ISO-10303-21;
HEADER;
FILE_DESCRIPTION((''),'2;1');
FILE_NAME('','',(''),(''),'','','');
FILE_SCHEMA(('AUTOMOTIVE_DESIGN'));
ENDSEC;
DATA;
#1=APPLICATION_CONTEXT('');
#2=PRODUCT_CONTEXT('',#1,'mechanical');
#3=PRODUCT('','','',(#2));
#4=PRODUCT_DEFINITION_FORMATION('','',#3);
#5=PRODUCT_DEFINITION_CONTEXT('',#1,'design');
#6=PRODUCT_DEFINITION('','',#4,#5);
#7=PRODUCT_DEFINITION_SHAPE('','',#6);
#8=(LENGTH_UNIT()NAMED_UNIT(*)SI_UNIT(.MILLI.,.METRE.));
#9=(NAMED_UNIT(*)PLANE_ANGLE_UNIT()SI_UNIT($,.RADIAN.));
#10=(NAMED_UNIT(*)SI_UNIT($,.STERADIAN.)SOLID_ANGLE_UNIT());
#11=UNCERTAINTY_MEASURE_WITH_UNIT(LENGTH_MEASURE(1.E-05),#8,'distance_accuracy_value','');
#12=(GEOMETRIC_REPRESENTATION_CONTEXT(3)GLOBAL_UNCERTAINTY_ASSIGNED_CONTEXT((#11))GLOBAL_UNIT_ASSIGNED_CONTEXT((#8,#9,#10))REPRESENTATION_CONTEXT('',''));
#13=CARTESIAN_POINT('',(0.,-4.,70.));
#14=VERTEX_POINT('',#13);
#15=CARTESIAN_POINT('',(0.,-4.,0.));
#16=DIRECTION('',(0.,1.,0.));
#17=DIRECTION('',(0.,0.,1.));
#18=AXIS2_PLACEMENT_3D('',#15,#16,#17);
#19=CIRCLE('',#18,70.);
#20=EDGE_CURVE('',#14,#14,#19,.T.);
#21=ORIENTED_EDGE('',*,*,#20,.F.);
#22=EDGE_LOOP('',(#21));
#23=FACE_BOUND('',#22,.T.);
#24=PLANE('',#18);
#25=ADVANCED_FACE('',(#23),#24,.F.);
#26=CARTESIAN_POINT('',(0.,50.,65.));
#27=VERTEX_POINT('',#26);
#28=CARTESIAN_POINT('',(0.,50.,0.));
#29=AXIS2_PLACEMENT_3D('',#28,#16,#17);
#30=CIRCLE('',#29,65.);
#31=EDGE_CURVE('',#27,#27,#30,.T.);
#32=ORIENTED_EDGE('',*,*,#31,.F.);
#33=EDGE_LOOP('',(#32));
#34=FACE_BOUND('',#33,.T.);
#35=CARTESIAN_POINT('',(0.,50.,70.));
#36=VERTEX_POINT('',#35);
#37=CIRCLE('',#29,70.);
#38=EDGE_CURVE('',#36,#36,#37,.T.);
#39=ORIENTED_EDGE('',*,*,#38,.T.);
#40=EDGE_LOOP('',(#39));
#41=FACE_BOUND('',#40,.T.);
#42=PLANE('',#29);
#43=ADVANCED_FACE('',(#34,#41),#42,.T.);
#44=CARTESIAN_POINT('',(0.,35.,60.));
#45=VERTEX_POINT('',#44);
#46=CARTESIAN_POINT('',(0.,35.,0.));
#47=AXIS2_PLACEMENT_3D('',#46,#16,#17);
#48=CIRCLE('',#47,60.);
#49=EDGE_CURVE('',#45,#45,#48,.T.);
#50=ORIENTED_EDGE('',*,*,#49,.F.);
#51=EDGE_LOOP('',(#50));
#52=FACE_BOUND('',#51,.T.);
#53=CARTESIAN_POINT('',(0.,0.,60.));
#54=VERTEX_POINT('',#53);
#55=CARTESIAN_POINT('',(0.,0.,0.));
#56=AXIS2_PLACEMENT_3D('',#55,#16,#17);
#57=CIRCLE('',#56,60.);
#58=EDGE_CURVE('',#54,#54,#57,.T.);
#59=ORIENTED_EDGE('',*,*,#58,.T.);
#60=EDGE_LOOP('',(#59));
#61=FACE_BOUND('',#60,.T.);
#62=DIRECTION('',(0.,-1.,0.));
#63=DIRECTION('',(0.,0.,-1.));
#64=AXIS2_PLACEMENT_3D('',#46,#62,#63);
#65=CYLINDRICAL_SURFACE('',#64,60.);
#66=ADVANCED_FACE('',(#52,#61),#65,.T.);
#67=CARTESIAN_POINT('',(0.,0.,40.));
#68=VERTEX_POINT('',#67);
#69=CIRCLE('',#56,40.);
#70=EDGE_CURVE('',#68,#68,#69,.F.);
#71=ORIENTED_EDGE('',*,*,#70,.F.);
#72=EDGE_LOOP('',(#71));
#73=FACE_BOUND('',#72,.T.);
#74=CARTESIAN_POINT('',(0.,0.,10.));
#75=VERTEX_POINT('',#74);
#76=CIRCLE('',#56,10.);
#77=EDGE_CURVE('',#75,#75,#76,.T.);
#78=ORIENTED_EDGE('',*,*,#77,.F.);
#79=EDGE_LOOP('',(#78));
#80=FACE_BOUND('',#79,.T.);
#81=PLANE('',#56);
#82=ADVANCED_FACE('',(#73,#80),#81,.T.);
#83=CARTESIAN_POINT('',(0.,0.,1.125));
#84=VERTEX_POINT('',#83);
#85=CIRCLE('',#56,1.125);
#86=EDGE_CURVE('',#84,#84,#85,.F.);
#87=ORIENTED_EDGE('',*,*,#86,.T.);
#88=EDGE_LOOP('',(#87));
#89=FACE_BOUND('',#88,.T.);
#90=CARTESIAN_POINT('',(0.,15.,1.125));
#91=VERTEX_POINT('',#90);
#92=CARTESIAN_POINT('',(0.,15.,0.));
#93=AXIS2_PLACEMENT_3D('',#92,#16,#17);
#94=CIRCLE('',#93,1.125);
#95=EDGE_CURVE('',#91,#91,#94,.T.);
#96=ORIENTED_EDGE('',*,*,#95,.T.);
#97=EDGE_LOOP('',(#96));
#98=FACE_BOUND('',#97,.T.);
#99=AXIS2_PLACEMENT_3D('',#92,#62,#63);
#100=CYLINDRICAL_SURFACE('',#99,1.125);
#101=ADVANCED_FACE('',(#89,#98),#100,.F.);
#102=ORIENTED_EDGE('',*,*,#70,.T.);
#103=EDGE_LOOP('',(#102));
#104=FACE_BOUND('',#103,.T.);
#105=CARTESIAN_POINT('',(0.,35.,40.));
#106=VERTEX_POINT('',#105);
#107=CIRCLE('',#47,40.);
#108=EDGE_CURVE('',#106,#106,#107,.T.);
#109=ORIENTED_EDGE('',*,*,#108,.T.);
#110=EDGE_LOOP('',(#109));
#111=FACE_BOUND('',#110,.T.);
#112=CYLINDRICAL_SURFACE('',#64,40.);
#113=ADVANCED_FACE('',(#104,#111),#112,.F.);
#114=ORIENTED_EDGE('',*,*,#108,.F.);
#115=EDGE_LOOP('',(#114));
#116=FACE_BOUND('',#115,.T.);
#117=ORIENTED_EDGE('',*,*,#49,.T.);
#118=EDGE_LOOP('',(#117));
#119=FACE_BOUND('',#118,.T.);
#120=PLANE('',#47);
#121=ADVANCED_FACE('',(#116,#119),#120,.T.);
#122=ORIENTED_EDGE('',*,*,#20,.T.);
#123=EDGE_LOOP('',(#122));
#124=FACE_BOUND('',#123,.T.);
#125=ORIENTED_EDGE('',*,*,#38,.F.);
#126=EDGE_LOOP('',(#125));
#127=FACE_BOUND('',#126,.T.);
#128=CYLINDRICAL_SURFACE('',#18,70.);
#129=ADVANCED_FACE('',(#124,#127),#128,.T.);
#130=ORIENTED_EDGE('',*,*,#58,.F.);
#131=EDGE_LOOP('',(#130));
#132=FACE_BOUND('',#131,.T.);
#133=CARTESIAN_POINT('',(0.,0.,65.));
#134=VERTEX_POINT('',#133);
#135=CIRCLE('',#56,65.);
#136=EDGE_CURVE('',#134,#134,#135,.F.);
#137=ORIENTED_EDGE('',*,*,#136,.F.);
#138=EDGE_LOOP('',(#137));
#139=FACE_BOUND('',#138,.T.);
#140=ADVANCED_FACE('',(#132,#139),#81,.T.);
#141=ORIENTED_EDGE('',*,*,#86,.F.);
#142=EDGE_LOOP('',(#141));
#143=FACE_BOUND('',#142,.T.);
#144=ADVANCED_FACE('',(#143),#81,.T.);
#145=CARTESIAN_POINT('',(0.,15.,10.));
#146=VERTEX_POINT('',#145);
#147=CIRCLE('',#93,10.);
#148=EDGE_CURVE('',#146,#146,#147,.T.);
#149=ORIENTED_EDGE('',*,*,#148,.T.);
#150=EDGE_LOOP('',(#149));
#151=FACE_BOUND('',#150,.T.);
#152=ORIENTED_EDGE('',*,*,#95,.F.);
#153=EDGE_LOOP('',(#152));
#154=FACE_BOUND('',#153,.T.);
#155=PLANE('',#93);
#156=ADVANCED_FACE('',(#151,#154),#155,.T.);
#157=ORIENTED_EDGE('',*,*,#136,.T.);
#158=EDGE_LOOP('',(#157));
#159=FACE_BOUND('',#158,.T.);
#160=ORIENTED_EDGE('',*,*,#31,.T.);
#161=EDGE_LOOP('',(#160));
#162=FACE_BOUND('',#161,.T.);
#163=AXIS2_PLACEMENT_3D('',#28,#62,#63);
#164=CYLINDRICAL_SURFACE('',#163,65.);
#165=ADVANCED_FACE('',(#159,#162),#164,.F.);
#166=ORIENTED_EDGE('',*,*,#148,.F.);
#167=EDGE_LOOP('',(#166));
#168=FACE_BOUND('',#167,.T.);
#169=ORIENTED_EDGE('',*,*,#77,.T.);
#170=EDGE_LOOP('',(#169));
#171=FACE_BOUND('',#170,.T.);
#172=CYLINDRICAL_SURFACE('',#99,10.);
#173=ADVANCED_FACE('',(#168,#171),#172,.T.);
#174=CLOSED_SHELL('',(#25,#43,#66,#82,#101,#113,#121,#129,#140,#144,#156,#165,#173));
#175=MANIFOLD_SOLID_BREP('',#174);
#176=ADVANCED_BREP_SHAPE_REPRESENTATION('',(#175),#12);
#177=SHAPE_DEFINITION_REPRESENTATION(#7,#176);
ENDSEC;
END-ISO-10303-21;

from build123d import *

# Parameters (mm, degrees)
SKETCH1_R           = 70
BOSS_EXTRUDE2_DEPTH = 4
SKETCH1_6_R         = 10
SKETCH1_6_R_2       = 1.125
BOSS_EXTRUDE3_DEPTH = 15
BOSS_EXTRUDE4_START = 50
SKETCH1_7_R         = 70
SKETCH1_7_R_2       = 65
BOSS_EXTRUDE4_DEPTH = 50
SKETCH1_8_R         = 60
SKETCH1_8_R_2       = 40
BOSS_EXTRUDE5_DEPTH = 35


with BuildPart() as part:
    # Sketch1 → Boss-Extrude2 (new body)
    with BuildSketch(Plane(origin=(0, 0, 0), x_dir=(1, 0, 0), z_dir=(0, 1, 0))):
        Circle(SKETCH1_R)
    extrude(amount=-BOSS_EXTRUDE2_DEPTH)

    # Sketch1<6> → Boss-Extrude3 (add)
    with BuildSketch(Plane(origin=(0, 0, 0), x_dir=(1, 0, 0), z_dir=(0, 1, 0))):
        Circle(SKETCH1_6_R)
        Circle(SKETCH1_6_R_2, mode=Mode.SUBTRACT)
    extrude(amount=BOSS_EXTRUDE3_DEPTH)

    # Sketch1<7> → Boss-Extrude4 (add)
    with BuildSketch(Plane(origin=(0, 0, 0), x_dir=(1, 0, 0), z_dir=(0, 1, 0)).offset(BOSS_EXTRUDE4_START)):
        Circle(SKETCH1_7_R)
        Circle(SKETCH1_7_R_2, mode=Mode.SUBTRACT)
    extrude(amount=-BOSS_EXTRUDE4_DEPTH)

    # Sketch1<8> → Boss-Extrude5 (add)
    with BuildSketch(Plane(origin=(0, 0, 0), x_dir=(1, 0, 0), z_dir=(0, 1, 0))):
        Circle(SKETCH1_8_R)
        Circle(SKETCH1_8_R_2, mode=Mode.SUBTRACT)
    extrude(amount=BOSS_EXTRUDE5_DEPTH)


solid = part.part
